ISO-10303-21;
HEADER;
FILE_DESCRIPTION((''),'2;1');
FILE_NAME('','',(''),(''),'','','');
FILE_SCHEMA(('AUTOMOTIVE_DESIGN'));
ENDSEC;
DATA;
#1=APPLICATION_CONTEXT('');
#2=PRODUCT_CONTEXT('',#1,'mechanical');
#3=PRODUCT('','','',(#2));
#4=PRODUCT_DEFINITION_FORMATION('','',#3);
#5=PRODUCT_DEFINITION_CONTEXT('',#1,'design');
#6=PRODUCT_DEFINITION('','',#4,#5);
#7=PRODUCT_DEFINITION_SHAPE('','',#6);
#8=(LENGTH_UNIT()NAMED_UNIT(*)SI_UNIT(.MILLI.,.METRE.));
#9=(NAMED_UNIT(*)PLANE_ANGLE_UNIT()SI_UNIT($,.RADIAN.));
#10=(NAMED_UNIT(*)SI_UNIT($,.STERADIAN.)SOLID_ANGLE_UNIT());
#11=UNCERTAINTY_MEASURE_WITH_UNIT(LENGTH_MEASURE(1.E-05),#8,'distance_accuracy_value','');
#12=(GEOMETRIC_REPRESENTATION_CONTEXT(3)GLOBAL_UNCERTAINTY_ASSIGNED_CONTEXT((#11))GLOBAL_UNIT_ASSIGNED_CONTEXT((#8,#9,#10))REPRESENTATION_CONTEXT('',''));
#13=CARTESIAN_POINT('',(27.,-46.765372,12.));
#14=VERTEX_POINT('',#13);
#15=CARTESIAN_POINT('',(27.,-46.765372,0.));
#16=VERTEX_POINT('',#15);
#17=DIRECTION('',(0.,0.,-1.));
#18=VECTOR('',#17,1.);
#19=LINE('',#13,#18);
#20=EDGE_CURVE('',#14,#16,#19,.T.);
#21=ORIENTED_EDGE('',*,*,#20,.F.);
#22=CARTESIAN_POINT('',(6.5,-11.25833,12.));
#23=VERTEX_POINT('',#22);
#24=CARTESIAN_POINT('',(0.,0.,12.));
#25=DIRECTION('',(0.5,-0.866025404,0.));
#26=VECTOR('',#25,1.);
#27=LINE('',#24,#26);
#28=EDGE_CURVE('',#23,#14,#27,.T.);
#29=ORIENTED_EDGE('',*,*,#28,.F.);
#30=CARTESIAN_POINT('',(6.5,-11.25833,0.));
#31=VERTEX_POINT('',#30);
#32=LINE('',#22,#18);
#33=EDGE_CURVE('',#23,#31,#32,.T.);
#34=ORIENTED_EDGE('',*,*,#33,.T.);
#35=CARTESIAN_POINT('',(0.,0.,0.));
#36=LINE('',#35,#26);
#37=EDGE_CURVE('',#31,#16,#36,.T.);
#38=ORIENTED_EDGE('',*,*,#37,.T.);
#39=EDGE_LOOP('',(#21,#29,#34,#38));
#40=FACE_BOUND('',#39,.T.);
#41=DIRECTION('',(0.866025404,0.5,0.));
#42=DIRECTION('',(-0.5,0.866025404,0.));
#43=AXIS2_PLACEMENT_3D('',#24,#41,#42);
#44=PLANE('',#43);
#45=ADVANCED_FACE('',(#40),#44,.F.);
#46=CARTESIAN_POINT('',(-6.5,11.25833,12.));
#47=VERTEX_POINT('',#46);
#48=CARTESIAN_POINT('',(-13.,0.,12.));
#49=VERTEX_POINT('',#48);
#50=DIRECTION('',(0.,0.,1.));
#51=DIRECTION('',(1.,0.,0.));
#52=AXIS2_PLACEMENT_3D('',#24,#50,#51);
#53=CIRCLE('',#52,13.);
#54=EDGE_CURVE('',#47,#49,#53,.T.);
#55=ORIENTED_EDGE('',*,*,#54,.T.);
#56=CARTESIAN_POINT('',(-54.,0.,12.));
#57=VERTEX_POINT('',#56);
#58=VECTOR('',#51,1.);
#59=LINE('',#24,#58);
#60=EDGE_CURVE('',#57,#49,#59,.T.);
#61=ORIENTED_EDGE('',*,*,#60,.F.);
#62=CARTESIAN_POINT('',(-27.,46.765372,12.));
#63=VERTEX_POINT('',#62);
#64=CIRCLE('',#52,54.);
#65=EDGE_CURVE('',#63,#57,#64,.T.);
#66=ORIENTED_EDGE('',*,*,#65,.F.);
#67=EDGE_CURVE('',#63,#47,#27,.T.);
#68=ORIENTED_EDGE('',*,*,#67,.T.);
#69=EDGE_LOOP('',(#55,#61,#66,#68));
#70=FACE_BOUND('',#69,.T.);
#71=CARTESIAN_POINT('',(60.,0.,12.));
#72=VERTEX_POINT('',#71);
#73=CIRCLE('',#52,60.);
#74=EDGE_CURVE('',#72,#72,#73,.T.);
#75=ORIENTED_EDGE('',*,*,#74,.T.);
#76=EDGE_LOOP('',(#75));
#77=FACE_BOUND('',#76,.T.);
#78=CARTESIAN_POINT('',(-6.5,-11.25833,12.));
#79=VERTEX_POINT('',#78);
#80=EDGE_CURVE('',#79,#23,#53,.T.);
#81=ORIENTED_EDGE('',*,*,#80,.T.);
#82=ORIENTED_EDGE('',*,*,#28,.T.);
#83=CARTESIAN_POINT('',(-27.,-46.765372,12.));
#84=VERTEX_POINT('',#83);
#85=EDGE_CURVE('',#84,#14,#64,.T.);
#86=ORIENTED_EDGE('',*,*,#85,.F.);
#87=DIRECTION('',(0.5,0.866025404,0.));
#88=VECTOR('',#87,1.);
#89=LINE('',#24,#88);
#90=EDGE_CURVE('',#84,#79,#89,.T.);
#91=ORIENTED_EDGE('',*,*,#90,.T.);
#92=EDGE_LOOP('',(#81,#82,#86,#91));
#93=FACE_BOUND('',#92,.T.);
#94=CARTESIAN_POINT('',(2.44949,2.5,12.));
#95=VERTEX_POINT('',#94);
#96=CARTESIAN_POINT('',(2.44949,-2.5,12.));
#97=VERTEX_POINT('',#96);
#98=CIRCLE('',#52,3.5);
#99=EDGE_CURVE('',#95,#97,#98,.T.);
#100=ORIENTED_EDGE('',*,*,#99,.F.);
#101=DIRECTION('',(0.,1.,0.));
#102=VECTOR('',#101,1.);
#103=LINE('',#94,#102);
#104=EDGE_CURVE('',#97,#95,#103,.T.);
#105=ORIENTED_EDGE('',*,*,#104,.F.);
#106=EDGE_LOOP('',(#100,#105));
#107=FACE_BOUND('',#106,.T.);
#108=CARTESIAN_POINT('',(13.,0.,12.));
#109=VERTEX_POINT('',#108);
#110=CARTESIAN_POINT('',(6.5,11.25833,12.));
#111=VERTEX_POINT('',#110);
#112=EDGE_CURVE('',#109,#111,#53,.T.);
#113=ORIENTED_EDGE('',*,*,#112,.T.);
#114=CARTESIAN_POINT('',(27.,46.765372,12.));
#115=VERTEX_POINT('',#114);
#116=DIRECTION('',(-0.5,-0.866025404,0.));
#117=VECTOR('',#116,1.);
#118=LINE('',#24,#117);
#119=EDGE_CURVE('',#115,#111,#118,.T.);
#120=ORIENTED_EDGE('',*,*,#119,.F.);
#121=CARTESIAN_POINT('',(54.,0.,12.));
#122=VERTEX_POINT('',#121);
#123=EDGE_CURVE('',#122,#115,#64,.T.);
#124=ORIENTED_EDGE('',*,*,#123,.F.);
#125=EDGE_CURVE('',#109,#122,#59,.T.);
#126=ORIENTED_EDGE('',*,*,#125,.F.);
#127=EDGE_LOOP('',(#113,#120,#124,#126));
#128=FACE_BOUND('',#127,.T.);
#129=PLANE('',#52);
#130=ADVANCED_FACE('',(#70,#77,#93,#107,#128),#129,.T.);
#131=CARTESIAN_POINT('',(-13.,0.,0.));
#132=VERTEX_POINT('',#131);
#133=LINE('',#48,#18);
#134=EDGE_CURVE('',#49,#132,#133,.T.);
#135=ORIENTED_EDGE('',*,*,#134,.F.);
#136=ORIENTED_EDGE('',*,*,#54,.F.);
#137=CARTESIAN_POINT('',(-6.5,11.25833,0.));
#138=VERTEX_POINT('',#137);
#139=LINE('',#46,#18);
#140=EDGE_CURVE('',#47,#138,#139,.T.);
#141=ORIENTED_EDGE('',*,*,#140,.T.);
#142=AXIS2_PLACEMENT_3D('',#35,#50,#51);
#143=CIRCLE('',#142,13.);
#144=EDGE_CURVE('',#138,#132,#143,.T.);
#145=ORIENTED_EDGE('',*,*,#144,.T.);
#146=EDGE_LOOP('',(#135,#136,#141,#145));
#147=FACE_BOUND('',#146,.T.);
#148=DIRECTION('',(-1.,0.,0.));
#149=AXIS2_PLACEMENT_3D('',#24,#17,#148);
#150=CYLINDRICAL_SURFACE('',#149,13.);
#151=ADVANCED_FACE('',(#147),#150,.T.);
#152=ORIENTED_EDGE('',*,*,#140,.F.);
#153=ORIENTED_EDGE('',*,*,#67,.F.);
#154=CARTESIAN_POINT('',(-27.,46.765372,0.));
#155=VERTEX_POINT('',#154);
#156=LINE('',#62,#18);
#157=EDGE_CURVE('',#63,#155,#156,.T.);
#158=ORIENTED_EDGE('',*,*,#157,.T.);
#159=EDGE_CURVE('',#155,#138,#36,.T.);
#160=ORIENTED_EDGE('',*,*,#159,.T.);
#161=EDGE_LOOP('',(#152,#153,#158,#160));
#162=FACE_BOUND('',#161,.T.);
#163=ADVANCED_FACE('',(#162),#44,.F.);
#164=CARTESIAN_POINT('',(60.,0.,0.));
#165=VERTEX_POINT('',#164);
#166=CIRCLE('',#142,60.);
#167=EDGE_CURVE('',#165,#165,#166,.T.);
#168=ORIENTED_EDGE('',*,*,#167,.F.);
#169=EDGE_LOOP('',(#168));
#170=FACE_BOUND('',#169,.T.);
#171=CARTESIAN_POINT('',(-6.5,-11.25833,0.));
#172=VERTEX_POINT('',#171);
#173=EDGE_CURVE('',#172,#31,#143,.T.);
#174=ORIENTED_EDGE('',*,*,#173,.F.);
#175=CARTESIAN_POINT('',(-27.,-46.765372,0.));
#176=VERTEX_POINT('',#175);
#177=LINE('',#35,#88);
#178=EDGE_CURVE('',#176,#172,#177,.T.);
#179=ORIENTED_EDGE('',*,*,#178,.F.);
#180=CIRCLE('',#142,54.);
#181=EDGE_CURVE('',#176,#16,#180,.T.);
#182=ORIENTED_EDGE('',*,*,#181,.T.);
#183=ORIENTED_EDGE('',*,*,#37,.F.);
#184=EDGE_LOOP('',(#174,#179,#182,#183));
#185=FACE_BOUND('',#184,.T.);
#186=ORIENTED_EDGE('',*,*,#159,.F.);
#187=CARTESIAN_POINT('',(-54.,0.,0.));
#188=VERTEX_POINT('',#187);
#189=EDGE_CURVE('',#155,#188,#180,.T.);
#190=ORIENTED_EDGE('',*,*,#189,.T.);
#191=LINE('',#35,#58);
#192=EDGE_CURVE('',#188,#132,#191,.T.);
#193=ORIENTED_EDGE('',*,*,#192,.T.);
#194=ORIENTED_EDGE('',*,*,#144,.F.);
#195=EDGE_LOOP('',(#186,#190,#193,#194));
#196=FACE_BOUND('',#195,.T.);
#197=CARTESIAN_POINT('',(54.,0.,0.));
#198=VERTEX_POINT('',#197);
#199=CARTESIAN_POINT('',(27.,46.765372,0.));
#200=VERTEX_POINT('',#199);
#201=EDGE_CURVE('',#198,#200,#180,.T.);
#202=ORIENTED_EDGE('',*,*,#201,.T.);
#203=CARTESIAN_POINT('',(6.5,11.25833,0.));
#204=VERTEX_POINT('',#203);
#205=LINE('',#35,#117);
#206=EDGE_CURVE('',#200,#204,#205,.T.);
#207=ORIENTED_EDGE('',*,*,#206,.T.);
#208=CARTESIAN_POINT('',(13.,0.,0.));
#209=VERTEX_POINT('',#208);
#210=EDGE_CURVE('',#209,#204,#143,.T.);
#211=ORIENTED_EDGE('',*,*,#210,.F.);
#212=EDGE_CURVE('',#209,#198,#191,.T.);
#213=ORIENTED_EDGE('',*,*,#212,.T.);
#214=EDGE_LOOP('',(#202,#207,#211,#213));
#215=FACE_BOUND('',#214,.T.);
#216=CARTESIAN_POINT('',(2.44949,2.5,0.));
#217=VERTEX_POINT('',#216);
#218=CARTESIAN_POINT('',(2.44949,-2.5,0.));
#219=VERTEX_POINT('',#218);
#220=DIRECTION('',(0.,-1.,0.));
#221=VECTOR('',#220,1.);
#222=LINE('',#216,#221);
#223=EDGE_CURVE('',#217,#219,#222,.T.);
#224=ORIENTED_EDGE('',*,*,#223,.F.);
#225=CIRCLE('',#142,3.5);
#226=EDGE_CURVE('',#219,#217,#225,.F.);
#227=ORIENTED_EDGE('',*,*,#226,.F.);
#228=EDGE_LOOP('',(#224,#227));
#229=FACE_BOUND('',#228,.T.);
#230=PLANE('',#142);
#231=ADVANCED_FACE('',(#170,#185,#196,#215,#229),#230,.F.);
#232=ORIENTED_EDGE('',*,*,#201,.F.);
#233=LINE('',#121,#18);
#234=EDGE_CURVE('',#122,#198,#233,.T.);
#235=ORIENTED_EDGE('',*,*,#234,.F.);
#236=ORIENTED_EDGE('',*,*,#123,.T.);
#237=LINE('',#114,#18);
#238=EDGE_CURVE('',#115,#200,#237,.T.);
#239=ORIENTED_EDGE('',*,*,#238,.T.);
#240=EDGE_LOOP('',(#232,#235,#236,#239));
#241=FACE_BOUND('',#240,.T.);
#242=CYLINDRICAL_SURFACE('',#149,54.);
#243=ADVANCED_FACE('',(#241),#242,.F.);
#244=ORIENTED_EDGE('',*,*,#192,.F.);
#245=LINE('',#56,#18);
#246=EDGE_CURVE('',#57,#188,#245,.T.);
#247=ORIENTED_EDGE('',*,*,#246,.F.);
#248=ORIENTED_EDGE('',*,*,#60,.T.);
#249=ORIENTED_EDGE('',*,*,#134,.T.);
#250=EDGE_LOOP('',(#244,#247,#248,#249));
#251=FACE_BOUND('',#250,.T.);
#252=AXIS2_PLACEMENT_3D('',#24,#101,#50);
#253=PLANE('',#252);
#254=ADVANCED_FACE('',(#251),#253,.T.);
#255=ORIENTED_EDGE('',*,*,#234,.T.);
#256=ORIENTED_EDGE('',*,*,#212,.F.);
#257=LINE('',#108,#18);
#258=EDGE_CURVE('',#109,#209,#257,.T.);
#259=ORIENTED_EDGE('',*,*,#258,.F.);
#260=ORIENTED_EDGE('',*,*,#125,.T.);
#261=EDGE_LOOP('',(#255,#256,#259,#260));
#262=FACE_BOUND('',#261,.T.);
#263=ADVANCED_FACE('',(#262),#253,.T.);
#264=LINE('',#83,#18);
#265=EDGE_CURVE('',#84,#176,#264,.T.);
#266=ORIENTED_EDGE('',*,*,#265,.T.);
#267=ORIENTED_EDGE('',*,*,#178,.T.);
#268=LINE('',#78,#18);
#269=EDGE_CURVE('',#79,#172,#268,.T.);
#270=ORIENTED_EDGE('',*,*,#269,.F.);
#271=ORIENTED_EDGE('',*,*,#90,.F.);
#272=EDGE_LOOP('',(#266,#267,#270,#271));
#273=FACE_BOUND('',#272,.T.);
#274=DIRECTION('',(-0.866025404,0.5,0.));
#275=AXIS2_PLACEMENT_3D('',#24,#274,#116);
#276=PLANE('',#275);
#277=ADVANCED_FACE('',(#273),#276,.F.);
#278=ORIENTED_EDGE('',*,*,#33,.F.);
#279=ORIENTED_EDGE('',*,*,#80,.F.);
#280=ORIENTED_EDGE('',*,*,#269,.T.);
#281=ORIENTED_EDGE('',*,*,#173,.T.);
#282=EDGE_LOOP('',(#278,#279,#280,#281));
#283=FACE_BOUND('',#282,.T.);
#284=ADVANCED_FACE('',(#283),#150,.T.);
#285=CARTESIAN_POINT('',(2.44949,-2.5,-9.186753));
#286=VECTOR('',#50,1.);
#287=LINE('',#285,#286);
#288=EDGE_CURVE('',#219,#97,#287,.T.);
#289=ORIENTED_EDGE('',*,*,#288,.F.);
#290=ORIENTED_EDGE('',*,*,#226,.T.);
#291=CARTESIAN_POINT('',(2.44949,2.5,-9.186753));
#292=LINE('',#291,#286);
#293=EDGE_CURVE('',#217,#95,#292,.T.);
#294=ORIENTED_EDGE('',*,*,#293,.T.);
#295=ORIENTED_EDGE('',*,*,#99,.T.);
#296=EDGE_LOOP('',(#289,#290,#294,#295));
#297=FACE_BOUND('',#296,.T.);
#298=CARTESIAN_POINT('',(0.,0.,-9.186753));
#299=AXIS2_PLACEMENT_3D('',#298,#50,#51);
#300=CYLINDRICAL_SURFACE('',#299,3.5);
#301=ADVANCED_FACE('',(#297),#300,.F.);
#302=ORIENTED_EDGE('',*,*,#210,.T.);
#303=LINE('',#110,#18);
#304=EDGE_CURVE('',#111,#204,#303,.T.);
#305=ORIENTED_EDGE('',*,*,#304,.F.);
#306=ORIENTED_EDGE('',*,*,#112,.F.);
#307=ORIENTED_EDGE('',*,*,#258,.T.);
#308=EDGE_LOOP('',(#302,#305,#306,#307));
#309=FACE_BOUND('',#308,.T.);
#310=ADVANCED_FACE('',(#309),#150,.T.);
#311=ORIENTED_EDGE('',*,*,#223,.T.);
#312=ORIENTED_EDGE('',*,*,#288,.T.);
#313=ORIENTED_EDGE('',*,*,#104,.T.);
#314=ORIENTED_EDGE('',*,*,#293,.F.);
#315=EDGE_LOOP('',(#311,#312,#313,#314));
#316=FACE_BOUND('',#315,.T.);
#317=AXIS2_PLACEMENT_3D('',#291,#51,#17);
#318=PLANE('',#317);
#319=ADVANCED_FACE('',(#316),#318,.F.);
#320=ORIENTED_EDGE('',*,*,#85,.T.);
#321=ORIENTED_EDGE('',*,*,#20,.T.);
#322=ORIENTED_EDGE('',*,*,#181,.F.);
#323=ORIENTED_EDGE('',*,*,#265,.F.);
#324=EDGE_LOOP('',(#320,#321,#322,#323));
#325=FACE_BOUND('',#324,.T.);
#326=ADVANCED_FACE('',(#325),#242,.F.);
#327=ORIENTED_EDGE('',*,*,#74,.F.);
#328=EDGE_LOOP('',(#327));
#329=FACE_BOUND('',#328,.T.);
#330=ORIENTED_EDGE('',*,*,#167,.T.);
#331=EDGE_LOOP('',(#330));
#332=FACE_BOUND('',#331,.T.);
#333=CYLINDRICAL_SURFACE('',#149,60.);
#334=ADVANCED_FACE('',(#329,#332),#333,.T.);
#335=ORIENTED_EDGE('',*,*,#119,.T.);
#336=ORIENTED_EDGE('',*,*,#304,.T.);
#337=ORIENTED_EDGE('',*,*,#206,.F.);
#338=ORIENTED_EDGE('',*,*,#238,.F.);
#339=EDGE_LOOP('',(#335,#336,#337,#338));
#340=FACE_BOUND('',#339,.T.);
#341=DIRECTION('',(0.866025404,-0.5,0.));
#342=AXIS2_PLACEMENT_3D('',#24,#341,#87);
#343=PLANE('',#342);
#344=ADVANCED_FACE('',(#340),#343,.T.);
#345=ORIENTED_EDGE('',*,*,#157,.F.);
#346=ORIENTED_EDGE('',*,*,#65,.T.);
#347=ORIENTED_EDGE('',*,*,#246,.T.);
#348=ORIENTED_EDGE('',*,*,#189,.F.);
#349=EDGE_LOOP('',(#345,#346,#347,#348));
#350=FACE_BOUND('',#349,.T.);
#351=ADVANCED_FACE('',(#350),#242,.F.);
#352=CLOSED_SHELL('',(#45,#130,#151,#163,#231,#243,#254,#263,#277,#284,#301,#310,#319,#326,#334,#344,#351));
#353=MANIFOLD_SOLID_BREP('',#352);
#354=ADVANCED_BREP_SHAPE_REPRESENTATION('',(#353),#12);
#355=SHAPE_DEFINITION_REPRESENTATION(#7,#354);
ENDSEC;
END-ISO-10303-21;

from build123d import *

# Parameters (mm, degrees)
ESQUISSE1_R        = 60
BOSS_EXTRU_1_DEPTH = 12
CUT_EXTRUDE1_DEPTH = 12


with BuildPart() as part:
    # Esquisse1 → Boss.-Extru.1 (new body)
    with BuildSketch(Plane.XY):
        Circle(ESQUISSE1_R)
        with BuildLine():
            ThreePointArc((13, 0), (11.258330249, 6.5), (6.5, 11.258330249))
            Line((6.5, 11.258330249), (27, 46.765371804))
            ThreePointArc((27, 46.765371804), (46.765371804, 27), (54, 0))
            Line((54, 0), (13, 0))
        make_face(mode=Mode.SUBTRACT)
        with BuildLine():
            Line((-27, 46.765371804), (-6.5, 11.258330249))
            ThreePointArc((-6.5, 11.258330249), (-11.258330249, 6.5), (-13, 0))
            Line((-13, 0), (-54, 0))
            ThreePointArc((-54, 0), (-46.765371804, 27), (-27, 46.765371804))
        make_face(mode=Mode.SUBTRACT)
        with BuildLine():
            Line((-27, -46.765371804), (-6.5, -11.258330249))
            ThreePointArc((-6.5, -11.258330249), (0, -13), (6.5, -11.258330249))
            Line((6.5, -11.258330249), (27, -46.765371804))
            ThreePointArc((27, -46.765371804), (0, -54), (-27, -46.765371804))
        make_face(mode=Mode.SUBTRACT)
    extrude(amount=BOSS_EXTRU_1_DEPTH)

    # Sketch1 → Cut-Extrude1 (cut)
    with BuildSketch(Plane.XY.offset(12)):
        with BuildLine():
            Line((2.449489743, 2.5), (2.449489743, -2.5))
            ThreePointArc((2.449489743, -2.5), (-3.5, 0), (2.449489743, 2.5))
        make_face()
    extrude(amount=-CUT_EXTRUDE1_DEPTH, mode=Mode.SUBTRACT)


solid = part.part
